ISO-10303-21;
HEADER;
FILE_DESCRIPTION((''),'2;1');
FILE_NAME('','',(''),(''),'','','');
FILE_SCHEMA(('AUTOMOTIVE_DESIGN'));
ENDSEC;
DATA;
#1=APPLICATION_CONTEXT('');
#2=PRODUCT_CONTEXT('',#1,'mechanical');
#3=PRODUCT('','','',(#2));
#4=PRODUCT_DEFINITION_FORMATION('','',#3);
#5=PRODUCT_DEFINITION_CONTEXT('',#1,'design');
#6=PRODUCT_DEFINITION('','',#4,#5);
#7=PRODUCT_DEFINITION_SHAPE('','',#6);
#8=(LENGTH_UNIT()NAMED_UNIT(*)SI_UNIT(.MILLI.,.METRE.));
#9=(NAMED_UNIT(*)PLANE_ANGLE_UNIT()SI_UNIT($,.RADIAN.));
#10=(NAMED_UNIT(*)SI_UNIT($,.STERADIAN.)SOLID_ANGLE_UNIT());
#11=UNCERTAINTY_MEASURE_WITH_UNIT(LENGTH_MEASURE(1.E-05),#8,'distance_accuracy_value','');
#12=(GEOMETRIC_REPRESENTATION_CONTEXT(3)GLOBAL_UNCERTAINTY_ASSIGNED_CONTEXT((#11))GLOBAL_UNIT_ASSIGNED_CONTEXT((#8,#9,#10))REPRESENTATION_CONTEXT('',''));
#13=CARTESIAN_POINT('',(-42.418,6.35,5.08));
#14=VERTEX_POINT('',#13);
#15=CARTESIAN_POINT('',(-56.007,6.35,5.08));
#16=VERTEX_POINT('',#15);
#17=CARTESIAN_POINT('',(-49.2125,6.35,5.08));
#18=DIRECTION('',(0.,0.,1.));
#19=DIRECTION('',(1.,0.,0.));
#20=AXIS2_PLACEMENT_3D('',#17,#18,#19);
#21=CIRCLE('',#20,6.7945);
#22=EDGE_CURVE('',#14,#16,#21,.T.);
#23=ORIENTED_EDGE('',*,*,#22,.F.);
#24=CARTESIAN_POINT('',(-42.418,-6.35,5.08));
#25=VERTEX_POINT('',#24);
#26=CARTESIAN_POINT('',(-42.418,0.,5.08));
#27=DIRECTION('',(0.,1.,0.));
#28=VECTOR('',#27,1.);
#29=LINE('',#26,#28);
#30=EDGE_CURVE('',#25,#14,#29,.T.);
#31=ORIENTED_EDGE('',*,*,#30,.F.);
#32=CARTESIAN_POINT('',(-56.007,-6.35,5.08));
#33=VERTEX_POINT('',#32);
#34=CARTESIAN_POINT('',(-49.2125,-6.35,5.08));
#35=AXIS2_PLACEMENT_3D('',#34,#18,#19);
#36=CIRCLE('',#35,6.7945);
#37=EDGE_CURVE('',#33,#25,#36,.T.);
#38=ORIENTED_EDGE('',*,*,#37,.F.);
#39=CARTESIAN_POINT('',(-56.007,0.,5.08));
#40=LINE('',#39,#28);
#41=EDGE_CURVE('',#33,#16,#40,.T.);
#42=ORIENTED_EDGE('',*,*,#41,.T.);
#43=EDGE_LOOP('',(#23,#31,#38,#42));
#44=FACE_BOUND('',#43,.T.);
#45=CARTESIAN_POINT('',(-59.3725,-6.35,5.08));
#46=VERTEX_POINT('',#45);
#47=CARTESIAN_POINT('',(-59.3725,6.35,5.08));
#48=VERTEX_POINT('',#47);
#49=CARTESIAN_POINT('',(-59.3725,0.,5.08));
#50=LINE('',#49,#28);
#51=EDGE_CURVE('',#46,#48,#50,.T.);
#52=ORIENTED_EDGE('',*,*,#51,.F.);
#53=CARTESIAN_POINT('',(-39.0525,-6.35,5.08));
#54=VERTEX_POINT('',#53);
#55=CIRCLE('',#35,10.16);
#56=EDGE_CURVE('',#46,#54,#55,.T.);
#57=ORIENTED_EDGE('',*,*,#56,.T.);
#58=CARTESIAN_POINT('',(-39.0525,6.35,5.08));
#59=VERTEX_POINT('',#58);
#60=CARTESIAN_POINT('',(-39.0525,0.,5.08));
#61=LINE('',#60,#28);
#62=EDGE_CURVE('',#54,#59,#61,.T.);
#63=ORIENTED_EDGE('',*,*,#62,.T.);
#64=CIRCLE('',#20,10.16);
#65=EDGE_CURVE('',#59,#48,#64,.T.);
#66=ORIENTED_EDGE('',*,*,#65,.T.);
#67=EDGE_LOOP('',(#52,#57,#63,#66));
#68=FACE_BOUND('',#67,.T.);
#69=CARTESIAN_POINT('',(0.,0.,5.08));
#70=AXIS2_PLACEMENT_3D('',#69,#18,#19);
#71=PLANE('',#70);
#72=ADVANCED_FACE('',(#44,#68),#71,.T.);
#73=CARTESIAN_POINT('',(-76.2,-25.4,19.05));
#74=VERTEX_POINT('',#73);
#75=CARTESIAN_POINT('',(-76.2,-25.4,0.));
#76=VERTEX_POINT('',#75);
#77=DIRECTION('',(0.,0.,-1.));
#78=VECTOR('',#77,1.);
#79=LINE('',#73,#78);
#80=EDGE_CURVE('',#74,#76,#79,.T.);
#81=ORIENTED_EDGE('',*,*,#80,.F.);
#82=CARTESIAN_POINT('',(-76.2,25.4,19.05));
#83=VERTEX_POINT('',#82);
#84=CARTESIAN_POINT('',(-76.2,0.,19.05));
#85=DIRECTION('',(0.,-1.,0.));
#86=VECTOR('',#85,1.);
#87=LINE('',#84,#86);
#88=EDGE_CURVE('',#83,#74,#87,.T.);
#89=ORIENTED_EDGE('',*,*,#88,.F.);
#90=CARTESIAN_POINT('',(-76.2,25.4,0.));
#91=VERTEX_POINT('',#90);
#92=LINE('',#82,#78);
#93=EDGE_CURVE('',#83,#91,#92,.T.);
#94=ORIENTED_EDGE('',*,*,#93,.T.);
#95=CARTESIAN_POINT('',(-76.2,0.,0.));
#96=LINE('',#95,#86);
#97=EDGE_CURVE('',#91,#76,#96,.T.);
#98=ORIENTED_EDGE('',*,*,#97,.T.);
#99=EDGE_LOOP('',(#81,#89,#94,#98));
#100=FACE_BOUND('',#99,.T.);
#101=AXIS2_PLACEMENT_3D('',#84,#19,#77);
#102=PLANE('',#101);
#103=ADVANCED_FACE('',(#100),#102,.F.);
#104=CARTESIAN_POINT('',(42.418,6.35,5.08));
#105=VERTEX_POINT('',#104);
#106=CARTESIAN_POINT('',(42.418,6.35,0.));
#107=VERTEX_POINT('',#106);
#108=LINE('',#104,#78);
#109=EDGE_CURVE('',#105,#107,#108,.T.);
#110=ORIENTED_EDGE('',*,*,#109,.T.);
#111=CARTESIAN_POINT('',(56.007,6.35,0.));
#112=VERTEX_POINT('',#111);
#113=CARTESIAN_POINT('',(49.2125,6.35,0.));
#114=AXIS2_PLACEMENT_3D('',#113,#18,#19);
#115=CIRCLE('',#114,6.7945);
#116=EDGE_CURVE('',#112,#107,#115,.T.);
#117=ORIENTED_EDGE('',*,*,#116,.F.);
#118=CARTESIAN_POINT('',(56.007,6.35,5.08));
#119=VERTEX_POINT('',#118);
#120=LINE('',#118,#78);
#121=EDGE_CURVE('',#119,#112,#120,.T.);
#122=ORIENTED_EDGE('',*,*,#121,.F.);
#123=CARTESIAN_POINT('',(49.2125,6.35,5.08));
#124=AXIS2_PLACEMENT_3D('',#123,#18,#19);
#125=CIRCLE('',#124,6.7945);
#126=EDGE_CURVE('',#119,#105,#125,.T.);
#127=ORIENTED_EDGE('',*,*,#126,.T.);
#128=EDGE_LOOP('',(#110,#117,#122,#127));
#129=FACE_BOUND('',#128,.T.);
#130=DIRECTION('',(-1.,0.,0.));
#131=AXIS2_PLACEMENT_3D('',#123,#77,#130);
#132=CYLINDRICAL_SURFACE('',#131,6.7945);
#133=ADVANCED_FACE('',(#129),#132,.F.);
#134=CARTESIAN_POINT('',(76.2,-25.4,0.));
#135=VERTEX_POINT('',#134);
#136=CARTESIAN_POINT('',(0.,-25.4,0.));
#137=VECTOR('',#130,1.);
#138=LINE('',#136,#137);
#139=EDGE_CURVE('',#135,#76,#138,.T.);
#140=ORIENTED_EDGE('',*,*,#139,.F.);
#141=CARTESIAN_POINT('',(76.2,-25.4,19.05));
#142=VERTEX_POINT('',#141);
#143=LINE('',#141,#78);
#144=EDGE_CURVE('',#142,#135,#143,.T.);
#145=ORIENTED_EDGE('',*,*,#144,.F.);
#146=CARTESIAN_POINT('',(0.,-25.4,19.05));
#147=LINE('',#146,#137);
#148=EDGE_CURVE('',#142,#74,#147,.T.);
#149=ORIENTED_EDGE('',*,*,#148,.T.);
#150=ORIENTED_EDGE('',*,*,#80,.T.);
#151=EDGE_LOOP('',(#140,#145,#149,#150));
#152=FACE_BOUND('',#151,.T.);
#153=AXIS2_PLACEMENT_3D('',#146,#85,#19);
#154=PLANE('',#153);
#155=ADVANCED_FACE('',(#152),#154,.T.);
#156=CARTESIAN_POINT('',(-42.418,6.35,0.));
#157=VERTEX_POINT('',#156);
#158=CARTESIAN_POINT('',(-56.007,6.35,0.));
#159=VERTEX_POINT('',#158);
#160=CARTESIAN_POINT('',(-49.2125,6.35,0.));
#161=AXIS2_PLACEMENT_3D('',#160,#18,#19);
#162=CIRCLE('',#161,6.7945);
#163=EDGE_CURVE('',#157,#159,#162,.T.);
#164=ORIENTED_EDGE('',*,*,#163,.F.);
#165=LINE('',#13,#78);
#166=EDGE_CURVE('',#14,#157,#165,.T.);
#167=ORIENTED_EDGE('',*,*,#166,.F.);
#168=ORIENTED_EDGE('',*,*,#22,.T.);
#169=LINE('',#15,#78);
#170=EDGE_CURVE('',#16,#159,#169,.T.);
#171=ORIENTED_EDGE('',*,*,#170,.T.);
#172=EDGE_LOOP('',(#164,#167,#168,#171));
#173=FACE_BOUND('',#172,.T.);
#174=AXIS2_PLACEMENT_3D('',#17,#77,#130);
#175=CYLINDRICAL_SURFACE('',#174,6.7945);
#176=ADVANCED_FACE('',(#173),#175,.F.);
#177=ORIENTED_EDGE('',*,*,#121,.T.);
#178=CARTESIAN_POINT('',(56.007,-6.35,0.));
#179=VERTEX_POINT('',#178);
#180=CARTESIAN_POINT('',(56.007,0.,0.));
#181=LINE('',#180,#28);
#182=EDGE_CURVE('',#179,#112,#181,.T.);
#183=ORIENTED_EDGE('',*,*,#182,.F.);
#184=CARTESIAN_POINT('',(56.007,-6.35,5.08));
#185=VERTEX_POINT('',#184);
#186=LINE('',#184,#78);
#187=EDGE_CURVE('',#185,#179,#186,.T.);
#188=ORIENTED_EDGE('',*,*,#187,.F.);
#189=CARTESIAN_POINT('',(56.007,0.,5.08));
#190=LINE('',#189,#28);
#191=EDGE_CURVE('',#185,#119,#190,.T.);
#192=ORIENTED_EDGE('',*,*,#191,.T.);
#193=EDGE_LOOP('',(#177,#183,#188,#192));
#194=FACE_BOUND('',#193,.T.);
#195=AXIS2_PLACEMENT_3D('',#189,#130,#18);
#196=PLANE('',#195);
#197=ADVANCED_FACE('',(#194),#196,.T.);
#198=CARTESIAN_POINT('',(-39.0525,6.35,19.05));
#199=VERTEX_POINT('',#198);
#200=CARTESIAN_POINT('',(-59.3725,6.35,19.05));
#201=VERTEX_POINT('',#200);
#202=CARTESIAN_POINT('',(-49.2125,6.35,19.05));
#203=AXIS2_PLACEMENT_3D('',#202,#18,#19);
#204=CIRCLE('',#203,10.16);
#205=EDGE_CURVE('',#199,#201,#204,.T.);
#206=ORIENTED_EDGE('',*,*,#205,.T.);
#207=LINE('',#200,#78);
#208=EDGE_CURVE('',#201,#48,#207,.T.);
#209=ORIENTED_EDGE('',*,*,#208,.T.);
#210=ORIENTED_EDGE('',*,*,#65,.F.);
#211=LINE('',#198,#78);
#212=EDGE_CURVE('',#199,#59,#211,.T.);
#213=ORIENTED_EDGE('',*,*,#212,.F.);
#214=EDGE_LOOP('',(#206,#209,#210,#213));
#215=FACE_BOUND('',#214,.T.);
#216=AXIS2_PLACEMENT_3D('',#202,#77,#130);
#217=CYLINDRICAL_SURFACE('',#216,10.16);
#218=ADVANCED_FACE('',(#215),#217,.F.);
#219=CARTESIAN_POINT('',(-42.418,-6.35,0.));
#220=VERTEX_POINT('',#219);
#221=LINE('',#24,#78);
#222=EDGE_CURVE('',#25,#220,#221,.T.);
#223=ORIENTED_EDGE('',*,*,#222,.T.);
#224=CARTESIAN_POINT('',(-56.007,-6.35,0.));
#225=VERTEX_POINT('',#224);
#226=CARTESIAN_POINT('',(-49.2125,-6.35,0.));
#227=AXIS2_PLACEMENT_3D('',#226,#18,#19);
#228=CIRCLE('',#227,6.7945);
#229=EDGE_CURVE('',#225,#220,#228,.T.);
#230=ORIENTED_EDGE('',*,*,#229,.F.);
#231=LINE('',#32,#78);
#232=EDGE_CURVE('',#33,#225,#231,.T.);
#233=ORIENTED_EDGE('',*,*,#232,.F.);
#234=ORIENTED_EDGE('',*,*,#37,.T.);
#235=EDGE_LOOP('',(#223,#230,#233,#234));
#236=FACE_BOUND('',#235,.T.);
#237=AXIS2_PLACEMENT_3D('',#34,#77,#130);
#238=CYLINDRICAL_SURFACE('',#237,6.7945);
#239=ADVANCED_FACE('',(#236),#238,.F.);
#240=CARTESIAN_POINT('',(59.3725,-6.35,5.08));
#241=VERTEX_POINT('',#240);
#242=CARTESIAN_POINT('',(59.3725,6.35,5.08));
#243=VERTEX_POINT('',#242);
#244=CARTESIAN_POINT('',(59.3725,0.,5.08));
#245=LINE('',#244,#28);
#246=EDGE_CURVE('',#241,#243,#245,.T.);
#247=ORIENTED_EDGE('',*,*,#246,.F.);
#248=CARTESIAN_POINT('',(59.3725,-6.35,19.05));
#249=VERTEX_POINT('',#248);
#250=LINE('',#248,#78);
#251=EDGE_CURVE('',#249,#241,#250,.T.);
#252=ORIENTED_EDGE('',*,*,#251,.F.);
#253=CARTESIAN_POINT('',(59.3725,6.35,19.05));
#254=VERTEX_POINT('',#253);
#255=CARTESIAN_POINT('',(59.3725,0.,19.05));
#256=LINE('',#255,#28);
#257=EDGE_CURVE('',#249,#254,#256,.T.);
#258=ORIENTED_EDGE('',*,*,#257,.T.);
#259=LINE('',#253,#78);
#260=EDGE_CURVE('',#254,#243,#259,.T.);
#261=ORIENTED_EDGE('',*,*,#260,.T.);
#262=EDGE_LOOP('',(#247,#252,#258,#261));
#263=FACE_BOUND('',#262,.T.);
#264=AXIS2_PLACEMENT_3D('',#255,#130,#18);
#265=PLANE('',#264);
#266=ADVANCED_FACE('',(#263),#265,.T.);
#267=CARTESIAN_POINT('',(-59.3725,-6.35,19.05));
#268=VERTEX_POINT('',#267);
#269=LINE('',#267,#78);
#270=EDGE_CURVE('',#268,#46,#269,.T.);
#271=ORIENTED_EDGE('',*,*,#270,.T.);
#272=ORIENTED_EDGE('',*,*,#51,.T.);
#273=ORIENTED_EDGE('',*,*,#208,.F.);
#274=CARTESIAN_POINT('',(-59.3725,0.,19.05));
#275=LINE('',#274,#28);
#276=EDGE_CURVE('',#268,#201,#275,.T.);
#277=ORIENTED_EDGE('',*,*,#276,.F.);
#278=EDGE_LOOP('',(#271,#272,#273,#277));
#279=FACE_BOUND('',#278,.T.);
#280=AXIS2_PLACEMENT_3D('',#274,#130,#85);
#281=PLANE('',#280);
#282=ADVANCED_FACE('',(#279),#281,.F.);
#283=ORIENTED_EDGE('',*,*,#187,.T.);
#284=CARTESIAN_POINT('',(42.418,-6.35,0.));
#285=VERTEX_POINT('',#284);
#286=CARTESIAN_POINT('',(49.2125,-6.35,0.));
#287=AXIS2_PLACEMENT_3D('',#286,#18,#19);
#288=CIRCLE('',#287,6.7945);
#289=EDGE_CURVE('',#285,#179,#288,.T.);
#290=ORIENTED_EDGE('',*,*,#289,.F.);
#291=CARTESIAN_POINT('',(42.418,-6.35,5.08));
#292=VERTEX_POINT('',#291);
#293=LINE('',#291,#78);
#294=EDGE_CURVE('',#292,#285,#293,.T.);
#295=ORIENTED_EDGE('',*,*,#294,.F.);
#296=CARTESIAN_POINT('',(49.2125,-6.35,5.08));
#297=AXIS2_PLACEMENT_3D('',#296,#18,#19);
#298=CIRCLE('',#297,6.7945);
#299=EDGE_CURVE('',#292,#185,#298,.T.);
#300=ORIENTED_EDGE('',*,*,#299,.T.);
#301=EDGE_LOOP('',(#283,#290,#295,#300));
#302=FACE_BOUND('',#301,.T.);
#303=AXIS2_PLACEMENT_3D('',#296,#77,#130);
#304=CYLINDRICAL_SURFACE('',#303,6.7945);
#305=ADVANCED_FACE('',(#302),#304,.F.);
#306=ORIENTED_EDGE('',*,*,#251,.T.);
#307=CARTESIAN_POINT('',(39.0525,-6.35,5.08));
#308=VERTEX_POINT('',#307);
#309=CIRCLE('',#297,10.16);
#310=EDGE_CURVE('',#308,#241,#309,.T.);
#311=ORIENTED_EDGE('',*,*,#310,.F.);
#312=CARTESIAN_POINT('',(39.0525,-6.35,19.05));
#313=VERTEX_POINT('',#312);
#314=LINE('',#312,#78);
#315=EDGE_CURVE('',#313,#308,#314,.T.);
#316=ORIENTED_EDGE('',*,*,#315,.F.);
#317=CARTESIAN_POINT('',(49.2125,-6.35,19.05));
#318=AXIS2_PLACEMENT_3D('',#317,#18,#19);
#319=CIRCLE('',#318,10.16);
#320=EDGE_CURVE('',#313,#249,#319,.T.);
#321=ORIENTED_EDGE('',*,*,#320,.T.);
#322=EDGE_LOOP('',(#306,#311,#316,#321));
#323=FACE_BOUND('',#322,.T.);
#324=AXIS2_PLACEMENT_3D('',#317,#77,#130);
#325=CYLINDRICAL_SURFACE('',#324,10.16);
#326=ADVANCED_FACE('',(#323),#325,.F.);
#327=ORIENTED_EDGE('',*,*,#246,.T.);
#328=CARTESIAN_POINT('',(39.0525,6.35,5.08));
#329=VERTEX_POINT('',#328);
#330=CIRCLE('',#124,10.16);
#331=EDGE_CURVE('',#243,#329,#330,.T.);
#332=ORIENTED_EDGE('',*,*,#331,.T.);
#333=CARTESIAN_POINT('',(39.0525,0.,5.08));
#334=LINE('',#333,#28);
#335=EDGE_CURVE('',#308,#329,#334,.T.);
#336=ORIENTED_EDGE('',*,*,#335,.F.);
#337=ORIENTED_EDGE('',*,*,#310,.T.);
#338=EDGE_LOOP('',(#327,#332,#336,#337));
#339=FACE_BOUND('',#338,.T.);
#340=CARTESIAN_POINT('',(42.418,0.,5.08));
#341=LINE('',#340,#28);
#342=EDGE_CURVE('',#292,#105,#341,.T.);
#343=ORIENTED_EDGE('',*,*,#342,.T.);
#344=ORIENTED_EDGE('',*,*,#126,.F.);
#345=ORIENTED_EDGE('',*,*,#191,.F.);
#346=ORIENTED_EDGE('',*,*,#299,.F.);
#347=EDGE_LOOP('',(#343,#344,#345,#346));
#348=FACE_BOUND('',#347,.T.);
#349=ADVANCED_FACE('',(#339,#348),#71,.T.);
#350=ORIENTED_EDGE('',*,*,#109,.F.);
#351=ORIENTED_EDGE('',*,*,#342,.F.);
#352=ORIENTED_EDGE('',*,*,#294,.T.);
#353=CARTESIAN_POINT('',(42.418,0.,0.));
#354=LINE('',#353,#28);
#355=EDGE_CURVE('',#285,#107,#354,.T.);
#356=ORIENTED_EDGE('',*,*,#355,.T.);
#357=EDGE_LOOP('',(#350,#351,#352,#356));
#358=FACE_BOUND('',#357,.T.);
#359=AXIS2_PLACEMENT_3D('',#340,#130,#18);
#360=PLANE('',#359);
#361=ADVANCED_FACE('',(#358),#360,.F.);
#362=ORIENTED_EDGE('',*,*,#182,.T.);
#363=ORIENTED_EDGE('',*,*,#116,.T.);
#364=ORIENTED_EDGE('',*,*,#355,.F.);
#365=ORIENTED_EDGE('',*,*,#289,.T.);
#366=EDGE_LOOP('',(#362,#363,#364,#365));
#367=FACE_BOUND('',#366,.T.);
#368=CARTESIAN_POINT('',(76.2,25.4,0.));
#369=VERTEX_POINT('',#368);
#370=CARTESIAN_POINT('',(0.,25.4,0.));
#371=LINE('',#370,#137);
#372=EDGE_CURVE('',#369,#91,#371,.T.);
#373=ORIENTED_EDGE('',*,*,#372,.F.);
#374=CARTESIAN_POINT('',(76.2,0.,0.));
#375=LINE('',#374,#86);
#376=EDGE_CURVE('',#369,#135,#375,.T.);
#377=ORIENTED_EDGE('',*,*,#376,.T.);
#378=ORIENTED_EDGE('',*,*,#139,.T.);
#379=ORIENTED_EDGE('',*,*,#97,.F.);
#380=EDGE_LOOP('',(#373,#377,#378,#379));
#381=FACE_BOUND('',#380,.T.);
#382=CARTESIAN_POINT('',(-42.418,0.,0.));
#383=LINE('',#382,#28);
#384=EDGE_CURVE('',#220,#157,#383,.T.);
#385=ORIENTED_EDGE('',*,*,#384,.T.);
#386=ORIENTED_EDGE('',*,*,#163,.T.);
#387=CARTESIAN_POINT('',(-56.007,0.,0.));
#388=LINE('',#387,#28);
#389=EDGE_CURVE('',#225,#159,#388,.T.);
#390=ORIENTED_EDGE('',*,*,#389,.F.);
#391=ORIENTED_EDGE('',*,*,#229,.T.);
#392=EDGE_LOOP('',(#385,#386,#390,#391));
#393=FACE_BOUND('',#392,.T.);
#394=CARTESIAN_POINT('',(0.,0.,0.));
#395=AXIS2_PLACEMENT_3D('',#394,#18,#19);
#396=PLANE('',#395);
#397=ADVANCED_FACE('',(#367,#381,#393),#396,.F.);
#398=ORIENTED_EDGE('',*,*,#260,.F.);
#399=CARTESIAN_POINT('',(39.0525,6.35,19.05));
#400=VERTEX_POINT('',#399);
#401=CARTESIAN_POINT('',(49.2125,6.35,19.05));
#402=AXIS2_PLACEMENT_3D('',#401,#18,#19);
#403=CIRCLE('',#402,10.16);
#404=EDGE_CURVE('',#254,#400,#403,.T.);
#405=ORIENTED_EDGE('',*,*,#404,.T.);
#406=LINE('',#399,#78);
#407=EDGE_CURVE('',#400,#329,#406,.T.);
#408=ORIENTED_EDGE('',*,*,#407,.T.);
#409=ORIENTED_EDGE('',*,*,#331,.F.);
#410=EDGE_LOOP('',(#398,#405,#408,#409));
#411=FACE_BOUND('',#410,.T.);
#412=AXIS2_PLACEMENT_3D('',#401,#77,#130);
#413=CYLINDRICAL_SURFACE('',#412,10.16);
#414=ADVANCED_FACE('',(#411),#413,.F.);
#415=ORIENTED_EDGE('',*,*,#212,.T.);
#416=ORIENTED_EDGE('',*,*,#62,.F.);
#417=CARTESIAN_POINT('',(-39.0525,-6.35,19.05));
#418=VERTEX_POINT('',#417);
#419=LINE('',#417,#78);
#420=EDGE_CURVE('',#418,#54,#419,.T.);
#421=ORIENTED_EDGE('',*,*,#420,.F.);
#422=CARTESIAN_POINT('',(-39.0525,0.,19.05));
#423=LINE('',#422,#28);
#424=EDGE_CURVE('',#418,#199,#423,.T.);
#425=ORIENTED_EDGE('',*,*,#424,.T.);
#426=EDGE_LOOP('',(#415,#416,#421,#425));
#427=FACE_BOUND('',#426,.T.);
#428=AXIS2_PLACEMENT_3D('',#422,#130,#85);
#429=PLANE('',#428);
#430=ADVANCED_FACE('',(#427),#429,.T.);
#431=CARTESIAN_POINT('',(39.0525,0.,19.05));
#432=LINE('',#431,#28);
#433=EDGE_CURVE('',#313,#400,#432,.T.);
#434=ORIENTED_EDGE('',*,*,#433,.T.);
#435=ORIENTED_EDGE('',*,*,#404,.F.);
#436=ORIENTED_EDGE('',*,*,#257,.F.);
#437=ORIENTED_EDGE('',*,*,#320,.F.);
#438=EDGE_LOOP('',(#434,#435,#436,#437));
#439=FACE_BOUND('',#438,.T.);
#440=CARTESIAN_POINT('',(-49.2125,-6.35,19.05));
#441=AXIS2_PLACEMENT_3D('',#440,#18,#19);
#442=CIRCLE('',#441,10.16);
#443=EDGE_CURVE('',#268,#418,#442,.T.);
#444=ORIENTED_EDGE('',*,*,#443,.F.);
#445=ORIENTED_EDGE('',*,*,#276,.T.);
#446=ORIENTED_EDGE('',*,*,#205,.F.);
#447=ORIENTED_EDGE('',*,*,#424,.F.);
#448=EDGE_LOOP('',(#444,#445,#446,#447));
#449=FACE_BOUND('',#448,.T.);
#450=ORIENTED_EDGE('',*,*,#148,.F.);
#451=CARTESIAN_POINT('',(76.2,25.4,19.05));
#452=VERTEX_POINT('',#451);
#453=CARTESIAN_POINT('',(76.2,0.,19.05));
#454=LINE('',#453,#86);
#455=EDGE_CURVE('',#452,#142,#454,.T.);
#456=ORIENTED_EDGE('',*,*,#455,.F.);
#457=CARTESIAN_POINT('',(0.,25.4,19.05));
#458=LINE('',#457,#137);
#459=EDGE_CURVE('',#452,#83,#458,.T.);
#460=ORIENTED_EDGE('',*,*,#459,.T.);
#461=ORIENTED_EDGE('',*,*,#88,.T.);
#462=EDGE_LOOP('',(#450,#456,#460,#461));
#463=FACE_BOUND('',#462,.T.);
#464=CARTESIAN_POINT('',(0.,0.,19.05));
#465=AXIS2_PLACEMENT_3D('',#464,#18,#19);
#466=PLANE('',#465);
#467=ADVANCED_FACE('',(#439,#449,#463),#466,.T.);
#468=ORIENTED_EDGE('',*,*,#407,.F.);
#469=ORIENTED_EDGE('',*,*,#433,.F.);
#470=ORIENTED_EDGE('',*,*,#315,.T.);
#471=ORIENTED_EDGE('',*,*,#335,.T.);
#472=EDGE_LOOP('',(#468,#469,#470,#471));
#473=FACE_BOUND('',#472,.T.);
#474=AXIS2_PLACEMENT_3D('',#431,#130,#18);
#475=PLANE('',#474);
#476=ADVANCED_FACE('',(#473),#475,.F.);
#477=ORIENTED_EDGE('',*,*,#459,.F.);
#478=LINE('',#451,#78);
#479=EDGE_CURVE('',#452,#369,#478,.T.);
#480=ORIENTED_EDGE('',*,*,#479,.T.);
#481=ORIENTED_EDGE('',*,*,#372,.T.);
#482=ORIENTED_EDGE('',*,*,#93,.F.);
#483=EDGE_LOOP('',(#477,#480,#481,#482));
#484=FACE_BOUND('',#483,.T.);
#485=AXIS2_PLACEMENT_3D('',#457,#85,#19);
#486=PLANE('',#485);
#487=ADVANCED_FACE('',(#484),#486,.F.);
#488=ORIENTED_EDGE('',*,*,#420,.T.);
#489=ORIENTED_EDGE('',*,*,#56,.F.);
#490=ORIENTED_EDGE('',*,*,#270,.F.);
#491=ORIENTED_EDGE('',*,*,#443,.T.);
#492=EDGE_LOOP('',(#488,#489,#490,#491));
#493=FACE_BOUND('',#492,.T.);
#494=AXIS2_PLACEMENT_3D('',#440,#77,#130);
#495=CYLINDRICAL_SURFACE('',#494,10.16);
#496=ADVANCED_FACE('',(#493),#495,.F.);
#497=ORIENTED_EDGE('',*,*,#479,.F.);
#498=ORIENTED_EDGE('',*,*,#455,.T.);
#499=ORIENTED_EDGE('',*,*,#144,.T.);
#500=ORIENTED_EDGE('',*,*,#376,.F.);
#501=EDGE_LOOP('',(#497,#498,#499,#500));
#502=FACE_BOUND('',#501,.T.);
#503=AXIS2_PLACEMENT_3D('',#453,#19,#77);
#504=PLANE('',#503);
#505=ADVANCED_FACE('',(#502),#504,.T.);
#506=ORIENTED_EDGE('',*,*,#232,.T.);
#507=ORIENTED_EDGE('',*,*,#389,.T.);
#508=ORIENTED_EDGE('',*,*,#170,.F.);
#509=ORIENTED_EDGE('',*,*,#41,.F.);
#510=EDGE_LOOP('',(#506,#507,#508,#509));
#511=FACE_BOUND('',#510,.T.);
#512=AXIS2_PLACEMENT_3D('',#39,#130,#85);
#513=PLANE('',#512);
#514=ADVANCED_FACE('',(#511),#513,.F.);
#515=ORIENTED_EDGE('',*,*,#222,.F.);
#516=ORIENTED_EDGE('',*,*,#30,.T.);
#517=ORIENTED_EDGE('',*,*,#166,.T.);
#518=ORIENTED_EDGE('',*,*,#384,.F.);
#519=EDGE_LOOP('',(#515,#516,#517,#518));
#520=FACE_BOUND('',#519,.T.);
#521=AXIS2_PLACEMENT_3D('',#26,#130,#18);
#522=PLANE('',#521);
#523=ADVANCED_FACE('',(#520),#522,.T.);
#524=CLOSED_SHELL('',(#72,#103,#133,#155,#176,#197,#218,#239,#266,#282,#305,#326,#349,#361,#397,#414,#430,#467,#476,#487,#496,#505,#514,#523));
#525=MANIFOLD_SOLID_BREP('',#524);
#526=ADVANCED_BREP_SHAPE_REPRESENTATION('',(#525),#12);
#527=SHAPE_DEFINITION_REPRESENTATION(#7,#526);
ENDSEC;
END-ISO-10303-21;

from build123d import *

# Parameters (mm, degrees)
SKETCH1_W           = 152.4
SKETCH1_H           = 50.8
BOSS_EXTRUDE1_DEPTH = 19.05
BOSS_EXTRUDE2_DEPTH = 5.08


with BuildPart() as part:
    # Sketch1 → Boss-Extrude1 (new body)
    with BuildSketch(Plane.XY):
        Rectangle(SKETCH1_W, SKETCH1_H)
        with BuildLine():
            ThreePointArc((-39.0525, -6.35), (-49.2125, -16.51), (-59.3725, -6.35))
            Line((-59.3725, -6.35), (-59.3725, 6.35))
            ThreePointArc((-59.3725, 6.35), (-49.2125, 16.51), (-39.0525, 6.35))
            Line((-39.0525, 6.35), (-39.0525, -6.35))
        make_face(mode=Mode.SUBTRACT)
        with BuildLine():
            ThreePointArc((59.3725, -6.35), (49.2125, -16.51), (39.0525, -6.35))
            Line((39.0525, -6.35), (39.0525, 6.35))
            ThreePointArc((39.0525, 6.35), (49.2125, 16.51), (59.3725, 6.35))
            Line((59.3725, 6.35), (59.3725, -6.35))
        make_face(mode=Mode.SUBTRACT)
    extrude(amount=BOSS_EXTRUDE1_DEPTH)

    # Sketch1<3> → Boss-Extrude2 (add)
    # profile 1 of 2: a face of its own
    with BuildSketch(Plane.XY):
        with BuildLine():
            Line((-59.3725, 6.35), (-59.3725, -6.35))
            ThreePointArc((-59.3725, -6.35), (-49.2125, -16.51), (-39.0525, -6.35))
            Line((-39.0525, -6.35), (-39.0525, 6.35))
            ThreePointArc((-39.0525, 6.35), (-49.2125, 16.51), (-59.3725, 6.35))
        make_face()
        with BuildLine():
            ThreePointArc((-42.418, -6.35), (-49.2125, -13.1445), (-56.007, -6.35))
            Line((-56.007, -6.35), (-56.007, 6.35))
            ThreePointArc((-56.007, 6.35), (-49.2125, 13.1445), (-42.418, 6.35))
            Line((-42.418, 6.35), (-42.418, -6.35))
        make_face(mode=Mode.SUBTRACT)
    # profile 2 of 2: a face of its own
    with BuildSketch(Plane.XY):
        with BuildLine():
            Line((39.0525, 6.35), (39.0525, -6.35))
            ThreePointArc((39.0525, -6.35), (49.2125, -16.51), (59.3725, -6.35))
            Line((59.3725, -6.35), (59.3725, 6.35))
            ThreePointArc((59.3725, 6.35), (49.2125, 16.51), (39.0525, 6.35))
        make_face()
        with BuildLine():
            ThreePointArc((56.007, -6.35), (49.2125, -13.1445), (42.418, -6.35))
            Line((42.418, -6.35), (42.418, 6.35))
            ThreePointArc((42.418, 6.35), (49.2125, 13.1445), (56.007, 6.35))
            Line((56.007, 6.35), (56.007, -6.35))
        make_face(mode=Mode.SUBTRACT)
    extrude(amount=BOSS_EXTRUDE2_DEPTH)


solid = part.part
